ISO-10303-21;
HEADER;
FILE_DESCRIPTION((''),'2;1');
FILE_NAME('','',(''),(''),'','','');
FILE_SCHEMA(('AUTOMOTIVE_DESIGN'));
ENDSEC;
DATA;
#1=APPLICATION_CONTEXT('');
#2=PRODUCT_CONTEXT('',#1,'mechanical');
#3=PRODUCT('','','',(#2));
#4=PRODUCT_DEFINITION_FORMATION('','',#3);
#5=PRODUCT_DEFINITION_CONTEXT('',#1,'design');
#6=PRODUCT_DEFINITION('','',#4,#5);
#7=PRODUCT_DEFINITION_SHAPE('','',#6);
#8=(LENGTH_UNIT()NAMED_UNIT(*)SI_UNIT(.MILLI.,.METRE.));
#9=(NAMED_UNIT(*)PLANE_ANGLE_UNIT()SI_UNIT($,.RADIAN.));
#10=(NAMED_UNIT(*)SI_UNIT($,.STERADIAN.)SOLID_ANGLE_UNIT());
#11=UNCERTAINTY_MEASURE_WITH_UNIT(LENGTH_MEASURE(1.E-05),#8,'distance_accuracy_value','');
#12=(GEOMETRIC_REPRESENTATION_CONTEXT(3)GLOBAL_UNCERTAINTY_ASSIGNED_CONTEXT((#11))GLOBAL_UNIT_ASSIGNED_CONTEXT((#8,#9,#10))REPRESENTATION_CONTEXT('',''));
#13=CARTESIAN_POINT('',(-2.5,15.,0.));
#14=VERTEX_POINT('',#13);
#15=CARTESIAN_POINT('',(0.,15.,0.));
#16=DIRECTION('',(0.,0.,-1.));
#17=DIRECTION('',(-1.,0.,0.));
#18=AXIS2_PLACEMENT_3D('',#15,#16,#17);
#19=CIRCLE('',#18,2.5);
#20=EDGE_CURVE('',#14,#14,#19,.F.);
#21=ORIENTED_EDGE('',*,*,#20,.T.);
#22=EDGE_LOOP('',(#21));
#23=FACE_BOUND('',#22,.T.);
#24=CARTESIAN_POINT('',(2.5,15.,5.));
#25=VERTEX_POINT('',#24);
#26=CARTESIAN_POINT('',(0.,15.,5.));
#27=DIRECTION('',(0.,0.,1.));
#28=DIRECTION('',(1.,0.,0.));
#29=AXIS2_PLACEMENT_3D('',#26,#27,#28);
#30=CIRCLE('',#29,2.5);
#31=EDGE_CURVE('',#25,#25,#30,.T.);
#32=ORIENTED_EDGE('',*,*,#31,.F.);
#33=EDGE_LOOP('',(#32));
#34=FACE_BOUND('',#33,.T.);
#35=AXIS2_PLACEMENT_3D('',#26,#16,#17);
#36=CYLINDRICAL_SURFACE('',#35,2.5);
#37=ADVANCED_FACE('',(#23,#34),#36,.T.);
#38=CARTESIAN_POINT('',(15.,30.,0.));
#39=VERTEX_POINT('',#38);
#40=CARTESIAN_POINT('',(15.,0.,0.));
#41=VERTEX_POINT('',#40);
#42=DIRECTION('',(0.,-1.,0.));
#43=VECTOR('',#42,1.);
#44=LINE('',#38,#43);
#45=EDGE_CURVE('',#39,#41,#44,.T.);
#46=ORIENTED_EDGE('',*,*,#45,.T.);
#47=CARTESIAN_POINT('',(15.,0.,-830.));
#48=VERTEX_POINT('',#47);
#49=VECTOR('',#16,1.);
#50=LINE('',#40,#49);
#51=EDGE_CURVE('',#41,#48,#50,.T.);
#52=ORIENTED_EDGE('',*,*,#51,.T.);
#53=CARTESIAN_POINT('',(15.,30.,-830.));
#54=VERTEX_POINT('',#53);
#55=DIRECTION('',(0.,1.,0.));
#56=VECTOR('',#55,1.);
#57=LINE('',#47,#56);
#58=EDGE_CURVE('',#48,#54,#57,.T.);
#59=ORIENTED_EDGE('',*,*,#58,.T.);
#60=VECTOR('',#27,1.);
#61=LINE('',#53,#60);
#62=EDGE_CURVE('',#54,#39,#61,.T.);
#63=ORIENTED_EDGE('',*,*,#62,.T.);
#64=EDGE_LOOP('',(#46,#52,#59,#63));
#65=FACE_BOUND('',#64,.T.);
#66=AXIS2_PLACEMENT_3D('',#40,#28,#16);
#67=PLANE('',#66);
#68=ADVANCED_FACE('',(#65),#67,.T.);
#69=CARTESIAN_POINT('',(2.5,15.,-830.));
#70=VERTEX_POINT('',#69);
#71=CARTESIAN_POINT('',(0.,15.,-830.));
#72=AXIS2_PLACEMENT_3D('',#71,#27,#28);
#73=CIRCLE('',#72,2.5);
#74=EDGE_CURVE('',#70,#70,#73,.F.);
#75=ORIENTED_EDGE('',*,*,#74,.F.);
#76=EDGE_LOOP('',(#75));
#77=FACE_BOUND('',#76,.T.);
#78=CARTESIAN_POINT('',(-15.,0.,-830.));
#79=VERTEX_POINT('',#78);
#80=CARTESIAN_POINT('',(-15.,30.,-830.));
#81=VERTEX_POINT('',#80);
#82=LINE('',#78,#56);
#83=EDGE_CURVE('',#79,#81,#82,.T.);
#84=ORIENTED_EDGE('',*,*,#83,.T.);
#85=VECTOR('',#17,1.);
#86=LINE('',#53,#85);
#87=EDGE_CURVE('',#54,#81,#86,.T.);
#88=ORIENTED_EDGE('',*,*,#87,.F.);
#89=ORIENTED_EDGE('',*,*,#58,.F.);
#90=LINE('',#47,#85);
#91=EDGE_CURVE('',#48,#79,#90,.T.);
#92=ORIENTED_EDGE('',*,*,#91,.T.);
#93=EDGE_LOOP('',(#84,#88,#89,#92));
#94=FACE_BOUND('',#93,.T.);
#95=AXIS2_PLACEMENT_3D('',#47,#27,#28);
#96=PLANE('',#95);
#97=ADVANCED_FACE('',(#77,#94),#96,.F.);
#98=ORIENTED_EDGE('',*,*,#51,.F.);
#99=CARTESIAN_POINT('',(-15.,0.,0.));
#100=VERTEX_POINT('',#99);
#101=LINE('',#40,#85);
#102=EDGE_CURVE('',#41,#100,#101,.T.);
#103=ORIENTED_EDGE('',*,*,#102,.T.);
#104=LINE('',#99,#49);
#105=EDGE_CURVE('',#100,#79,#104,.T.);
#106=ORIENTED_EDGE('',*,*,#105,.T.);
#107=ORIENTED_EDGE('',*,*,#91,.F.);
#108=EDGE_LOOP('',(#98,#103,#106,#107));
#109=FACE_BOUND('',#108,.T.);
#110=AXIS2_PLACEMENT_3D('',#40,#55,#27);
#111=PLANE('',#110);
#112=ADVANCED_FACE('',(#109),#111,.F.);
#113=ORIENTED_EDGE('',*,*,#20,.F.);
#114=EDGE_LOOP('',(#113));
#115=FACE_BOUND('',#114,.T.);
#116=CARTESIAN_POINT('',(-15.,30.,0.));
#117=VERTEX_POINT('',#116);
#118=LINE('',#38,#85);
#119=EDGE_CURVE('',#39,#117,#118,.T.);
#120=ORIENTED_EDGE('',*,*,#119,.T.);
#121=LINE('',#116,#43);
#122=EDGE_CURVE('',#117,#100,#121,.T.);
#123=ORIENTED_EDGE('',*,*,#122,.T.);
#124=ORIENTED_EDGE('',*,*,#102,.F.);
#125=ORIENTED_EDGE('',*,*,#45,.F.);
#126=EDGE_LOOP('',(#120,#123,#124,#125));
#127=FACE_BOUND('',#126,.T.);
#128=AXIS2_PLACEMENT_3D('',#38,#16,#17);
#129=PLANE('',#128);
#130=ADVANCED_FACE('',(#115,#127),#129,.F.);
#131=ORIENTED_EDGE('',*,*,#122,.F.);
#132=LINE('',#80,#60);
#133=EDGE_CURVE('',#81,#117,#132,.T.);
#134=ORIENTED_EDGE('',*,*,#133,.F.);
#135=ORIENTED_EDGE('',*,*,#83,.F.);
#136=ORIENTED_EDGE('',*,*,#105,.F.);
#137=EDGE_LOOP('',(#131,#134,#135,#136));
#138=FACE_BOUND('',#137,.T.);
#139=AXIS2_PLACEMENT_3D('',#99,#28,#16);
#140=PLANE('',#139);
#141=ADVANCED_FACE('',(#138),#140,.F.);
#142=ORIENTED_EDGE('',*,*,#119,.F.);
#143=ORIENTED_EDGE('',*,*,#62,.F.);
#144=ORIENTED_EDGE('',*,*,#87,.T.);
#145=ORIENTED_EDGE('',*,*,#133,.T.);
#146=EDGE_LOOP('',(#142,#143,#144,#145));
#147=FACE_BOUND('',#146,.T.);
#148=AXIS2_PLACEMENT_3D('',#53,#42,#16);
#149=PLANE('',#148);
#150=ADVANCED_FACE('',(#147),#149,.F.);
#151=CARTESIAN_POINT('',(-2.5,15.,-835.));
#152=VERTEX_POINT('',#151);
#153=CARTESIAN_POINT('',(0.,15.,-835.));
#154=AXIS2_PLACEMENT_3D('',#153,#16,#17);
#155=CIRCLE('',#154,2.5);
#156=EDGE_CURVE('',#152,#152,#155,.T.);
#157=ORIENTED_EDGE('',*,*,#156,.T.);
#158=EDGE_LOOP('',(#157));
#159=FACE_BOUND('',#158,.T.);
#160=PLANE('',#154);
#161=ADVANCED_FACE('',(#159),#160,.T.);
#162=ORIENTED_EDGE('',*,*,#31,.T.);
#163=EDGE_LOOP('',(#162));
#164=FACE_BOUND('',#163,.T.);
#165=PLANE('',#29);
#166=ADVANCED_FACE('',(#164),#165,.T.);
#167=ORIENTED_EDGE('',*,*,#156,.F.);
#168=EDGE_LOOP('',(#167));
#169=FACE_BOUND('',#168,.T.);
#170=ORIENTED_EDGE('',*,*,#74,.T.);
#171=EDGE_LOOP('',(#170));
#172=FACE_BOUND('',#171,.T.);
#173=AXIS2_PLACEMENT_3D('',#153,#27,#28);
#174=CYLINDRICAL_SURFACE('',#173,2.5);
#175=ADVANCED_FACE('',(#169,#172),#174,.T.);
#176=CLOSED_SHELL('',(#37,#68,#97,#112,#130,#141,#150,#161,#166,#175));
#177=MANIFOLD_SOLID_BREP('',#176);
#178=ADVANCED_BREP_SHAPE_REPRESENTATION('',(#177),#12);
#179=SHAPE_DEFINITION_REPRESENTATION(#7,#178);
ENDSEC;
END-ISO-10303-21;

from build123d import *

# Parameters (mm, degrees)
SKETCH1_W           = 830
SKETCH1_H           = 30
BOSS_EXTRUDE1_DEPTH = 15
SKETCH3_R           = 2.5
BOSS_EXTRUDE2_DEPTH = 5
SKETCH4_R           = 2.5
BOSS_EXTRUDE3_DEPTH = 5


with BuildPart() as part:
    # Sketch1 → Boss-Extrude1 (new body, symmetric)
    with BuildSketch(Plane(origin=(0, 0, 0), x_dir=(0, 0, -1), z_dir=(1, 0, 0))):
        with Locations((415, 15)):
            Rectangle(SKETCH1_W, SKETCH1_H)
    extrude(amount=BOSS_EXTRUDE1_DEPTH, both=True)

    # Sketch3 → Boss-Extrude2 (add, symmetric)
    with BuildSketch(Plane(origin=(0, 0, -830), x_dir=(-1, 0, 0), z_dir=(0, 0, -1))):
        with Locations((0, 15)):
            Circle(SKETCH3_R)
    extrude(amount=BOSS_EXTRUDE2_DEPTH, both=True)

    # Sketch4 → Boss-Extrude3 (add, symmetric)
    with BuildSketch(Plane.XY):
        with Locations((0, 15)):
            Circle(SKETCH4_R)
    extrude(amount=BOSS_EXTRUDE3_DEPTH, both=True)


solid = part.part
